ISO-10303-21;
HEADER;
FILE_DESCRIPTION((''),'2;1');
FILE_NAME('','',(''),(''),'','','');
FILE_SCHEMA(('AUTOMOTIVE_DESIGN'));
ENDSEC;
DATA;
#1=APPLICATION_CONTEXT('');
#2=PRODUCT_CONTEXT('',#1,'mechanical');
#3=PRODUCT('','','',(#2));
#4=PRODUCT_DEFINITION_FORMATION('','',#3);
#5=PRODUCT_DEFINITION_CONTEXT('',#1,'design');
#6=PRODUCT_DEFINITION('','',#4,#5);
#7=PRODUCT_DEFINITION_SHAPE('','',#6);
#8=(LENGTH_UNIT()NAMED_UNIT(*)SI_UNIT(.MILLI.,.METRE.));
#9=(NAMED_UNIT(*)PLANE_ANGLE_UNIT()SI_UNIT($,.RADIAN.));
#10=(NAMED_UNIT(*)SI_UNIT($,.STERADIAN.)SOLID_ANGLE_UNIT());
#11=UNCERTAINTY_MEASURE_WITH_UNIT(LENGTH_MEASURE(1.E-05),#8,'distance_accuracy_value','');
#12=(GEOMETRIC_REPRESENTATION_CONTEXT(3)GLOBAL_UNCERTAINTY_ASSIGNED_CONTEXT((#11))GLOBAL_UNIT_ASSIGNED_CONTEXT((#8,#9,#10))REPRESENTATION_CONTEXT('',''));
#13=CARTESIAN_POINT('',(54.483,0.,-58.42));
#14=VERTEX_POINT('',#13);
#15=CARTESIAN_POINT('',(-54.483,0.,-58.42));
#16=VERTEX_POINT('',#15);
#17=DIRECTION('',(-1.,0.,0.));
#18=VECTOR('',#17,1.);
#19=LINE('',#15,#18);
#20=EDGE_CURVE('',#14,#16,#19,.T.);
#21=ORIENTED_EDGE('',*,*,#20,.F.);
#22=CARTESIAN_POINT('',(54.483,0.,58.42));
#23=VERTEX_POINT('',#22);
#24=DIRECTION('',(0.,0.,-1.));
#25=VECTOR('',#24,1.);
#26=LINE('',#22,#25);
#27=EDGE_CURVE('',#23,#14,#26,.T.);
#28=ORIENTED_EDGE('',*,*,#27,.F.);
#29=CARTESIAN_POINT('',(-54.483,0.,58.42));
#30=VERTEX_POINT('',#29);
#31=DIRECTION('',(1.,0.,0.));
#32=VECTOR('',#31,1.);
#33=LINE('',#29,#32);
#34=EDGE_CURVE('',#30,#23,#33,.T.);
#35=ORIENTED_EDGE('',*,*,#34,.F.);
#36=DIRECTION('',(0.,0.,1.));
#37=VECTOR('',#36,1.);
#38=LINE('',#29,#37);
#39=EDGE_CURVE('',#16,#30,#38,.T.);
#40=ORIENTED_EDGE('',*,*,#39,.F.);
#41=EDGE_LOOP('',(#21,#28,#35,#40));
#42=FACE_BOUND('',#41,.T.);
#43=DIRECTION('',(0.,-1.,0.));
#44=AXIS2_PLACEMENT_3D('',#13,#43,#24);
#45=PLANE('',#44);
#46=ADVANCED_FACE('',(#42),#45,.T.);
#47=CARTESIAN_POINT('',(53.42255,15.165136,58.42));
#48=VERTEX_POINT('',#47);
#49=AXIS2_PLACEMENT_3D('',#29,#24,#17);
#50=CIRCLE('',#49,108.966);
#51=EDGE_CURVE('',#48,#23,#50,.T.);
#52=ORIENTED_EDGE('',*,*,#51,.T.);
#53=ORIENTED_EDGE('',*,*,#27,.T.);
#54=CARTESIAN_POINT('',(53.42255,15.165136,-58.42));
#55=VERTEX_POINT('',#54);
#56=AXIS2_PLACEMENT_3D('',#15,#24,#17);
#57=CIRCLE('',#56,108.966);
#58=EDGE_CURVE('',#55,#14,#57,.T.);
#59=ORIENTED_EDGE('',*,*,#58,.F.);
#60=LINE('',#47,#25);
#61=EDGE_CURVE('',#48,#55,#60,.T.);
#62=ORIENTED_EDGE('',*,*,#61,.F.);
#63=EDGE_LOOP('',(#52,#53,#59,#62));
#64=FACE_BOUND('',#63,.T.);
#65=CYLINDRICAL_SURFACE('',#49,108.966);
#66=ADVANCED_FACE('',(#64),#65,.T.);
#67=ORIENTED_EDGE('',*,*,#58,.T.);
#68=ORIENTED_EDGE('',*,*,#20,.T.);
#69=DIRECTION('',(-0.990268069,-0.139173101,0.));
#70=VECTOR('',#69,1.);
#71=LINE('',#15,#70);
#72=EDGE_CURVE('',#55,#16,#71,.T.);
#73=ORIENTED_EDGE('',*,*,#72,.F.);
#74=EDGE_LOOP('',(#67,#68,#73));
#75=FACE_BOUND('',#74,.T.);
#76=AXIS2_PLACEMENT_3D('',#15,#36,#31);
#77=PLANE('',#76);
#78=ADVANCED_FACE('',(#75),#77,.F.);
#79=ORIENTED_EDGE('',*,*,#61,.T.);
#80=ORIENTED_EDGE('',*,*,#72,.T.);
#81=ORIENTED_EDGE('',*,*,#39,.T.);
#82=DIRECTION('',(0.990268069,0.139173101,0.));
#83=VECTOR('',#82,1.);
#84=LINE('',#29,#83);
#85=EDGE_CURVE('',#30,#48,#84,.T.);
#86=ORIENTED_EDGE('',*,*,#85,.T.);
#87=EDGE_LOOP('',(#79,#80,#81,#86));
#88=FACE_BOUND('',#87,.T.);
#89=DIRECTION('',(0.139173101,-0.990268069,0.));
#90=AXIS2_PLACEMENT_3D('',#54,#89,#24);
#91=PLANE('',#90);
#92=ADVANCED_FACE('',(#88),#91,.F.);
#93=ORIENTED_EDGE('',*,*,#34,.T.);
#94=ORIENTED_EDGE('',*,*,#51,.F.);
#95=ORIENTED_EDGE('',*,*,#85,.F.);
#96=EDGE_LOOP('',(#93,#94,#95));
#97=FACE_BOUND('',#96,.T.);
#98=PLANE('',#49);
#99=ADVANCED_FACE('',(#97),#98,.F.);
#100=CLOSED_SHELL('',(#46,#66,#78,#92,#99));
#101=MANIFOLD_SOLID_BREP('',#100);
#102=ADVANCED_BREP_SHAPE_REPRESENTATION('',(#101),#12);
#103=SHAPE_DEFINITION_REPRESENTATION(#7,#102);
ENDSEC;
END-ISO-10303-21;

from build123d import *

# Parameters (mm, degrees)
SKETCH1_W      = 108.966
SKETCH1_H      = 116.84
REVOLVE1_ANGLE = 8


with BuildPart() as part:
    # Sketch1 → Revolve1 (revolve)
    with BuildSketch(Plane(origin=(0, 0, 0), x_dir=(1, 0, 0), z_dir=(0, 1, 0))):
        Rectangle(SKETCH1_W, SKETCH1_H)
    revolve(axis=Axis((-54.483, 0, 58.42), (0, 0, 1)), revolution_arc=REVOLVE1_ANGLE)


solid = part.part
